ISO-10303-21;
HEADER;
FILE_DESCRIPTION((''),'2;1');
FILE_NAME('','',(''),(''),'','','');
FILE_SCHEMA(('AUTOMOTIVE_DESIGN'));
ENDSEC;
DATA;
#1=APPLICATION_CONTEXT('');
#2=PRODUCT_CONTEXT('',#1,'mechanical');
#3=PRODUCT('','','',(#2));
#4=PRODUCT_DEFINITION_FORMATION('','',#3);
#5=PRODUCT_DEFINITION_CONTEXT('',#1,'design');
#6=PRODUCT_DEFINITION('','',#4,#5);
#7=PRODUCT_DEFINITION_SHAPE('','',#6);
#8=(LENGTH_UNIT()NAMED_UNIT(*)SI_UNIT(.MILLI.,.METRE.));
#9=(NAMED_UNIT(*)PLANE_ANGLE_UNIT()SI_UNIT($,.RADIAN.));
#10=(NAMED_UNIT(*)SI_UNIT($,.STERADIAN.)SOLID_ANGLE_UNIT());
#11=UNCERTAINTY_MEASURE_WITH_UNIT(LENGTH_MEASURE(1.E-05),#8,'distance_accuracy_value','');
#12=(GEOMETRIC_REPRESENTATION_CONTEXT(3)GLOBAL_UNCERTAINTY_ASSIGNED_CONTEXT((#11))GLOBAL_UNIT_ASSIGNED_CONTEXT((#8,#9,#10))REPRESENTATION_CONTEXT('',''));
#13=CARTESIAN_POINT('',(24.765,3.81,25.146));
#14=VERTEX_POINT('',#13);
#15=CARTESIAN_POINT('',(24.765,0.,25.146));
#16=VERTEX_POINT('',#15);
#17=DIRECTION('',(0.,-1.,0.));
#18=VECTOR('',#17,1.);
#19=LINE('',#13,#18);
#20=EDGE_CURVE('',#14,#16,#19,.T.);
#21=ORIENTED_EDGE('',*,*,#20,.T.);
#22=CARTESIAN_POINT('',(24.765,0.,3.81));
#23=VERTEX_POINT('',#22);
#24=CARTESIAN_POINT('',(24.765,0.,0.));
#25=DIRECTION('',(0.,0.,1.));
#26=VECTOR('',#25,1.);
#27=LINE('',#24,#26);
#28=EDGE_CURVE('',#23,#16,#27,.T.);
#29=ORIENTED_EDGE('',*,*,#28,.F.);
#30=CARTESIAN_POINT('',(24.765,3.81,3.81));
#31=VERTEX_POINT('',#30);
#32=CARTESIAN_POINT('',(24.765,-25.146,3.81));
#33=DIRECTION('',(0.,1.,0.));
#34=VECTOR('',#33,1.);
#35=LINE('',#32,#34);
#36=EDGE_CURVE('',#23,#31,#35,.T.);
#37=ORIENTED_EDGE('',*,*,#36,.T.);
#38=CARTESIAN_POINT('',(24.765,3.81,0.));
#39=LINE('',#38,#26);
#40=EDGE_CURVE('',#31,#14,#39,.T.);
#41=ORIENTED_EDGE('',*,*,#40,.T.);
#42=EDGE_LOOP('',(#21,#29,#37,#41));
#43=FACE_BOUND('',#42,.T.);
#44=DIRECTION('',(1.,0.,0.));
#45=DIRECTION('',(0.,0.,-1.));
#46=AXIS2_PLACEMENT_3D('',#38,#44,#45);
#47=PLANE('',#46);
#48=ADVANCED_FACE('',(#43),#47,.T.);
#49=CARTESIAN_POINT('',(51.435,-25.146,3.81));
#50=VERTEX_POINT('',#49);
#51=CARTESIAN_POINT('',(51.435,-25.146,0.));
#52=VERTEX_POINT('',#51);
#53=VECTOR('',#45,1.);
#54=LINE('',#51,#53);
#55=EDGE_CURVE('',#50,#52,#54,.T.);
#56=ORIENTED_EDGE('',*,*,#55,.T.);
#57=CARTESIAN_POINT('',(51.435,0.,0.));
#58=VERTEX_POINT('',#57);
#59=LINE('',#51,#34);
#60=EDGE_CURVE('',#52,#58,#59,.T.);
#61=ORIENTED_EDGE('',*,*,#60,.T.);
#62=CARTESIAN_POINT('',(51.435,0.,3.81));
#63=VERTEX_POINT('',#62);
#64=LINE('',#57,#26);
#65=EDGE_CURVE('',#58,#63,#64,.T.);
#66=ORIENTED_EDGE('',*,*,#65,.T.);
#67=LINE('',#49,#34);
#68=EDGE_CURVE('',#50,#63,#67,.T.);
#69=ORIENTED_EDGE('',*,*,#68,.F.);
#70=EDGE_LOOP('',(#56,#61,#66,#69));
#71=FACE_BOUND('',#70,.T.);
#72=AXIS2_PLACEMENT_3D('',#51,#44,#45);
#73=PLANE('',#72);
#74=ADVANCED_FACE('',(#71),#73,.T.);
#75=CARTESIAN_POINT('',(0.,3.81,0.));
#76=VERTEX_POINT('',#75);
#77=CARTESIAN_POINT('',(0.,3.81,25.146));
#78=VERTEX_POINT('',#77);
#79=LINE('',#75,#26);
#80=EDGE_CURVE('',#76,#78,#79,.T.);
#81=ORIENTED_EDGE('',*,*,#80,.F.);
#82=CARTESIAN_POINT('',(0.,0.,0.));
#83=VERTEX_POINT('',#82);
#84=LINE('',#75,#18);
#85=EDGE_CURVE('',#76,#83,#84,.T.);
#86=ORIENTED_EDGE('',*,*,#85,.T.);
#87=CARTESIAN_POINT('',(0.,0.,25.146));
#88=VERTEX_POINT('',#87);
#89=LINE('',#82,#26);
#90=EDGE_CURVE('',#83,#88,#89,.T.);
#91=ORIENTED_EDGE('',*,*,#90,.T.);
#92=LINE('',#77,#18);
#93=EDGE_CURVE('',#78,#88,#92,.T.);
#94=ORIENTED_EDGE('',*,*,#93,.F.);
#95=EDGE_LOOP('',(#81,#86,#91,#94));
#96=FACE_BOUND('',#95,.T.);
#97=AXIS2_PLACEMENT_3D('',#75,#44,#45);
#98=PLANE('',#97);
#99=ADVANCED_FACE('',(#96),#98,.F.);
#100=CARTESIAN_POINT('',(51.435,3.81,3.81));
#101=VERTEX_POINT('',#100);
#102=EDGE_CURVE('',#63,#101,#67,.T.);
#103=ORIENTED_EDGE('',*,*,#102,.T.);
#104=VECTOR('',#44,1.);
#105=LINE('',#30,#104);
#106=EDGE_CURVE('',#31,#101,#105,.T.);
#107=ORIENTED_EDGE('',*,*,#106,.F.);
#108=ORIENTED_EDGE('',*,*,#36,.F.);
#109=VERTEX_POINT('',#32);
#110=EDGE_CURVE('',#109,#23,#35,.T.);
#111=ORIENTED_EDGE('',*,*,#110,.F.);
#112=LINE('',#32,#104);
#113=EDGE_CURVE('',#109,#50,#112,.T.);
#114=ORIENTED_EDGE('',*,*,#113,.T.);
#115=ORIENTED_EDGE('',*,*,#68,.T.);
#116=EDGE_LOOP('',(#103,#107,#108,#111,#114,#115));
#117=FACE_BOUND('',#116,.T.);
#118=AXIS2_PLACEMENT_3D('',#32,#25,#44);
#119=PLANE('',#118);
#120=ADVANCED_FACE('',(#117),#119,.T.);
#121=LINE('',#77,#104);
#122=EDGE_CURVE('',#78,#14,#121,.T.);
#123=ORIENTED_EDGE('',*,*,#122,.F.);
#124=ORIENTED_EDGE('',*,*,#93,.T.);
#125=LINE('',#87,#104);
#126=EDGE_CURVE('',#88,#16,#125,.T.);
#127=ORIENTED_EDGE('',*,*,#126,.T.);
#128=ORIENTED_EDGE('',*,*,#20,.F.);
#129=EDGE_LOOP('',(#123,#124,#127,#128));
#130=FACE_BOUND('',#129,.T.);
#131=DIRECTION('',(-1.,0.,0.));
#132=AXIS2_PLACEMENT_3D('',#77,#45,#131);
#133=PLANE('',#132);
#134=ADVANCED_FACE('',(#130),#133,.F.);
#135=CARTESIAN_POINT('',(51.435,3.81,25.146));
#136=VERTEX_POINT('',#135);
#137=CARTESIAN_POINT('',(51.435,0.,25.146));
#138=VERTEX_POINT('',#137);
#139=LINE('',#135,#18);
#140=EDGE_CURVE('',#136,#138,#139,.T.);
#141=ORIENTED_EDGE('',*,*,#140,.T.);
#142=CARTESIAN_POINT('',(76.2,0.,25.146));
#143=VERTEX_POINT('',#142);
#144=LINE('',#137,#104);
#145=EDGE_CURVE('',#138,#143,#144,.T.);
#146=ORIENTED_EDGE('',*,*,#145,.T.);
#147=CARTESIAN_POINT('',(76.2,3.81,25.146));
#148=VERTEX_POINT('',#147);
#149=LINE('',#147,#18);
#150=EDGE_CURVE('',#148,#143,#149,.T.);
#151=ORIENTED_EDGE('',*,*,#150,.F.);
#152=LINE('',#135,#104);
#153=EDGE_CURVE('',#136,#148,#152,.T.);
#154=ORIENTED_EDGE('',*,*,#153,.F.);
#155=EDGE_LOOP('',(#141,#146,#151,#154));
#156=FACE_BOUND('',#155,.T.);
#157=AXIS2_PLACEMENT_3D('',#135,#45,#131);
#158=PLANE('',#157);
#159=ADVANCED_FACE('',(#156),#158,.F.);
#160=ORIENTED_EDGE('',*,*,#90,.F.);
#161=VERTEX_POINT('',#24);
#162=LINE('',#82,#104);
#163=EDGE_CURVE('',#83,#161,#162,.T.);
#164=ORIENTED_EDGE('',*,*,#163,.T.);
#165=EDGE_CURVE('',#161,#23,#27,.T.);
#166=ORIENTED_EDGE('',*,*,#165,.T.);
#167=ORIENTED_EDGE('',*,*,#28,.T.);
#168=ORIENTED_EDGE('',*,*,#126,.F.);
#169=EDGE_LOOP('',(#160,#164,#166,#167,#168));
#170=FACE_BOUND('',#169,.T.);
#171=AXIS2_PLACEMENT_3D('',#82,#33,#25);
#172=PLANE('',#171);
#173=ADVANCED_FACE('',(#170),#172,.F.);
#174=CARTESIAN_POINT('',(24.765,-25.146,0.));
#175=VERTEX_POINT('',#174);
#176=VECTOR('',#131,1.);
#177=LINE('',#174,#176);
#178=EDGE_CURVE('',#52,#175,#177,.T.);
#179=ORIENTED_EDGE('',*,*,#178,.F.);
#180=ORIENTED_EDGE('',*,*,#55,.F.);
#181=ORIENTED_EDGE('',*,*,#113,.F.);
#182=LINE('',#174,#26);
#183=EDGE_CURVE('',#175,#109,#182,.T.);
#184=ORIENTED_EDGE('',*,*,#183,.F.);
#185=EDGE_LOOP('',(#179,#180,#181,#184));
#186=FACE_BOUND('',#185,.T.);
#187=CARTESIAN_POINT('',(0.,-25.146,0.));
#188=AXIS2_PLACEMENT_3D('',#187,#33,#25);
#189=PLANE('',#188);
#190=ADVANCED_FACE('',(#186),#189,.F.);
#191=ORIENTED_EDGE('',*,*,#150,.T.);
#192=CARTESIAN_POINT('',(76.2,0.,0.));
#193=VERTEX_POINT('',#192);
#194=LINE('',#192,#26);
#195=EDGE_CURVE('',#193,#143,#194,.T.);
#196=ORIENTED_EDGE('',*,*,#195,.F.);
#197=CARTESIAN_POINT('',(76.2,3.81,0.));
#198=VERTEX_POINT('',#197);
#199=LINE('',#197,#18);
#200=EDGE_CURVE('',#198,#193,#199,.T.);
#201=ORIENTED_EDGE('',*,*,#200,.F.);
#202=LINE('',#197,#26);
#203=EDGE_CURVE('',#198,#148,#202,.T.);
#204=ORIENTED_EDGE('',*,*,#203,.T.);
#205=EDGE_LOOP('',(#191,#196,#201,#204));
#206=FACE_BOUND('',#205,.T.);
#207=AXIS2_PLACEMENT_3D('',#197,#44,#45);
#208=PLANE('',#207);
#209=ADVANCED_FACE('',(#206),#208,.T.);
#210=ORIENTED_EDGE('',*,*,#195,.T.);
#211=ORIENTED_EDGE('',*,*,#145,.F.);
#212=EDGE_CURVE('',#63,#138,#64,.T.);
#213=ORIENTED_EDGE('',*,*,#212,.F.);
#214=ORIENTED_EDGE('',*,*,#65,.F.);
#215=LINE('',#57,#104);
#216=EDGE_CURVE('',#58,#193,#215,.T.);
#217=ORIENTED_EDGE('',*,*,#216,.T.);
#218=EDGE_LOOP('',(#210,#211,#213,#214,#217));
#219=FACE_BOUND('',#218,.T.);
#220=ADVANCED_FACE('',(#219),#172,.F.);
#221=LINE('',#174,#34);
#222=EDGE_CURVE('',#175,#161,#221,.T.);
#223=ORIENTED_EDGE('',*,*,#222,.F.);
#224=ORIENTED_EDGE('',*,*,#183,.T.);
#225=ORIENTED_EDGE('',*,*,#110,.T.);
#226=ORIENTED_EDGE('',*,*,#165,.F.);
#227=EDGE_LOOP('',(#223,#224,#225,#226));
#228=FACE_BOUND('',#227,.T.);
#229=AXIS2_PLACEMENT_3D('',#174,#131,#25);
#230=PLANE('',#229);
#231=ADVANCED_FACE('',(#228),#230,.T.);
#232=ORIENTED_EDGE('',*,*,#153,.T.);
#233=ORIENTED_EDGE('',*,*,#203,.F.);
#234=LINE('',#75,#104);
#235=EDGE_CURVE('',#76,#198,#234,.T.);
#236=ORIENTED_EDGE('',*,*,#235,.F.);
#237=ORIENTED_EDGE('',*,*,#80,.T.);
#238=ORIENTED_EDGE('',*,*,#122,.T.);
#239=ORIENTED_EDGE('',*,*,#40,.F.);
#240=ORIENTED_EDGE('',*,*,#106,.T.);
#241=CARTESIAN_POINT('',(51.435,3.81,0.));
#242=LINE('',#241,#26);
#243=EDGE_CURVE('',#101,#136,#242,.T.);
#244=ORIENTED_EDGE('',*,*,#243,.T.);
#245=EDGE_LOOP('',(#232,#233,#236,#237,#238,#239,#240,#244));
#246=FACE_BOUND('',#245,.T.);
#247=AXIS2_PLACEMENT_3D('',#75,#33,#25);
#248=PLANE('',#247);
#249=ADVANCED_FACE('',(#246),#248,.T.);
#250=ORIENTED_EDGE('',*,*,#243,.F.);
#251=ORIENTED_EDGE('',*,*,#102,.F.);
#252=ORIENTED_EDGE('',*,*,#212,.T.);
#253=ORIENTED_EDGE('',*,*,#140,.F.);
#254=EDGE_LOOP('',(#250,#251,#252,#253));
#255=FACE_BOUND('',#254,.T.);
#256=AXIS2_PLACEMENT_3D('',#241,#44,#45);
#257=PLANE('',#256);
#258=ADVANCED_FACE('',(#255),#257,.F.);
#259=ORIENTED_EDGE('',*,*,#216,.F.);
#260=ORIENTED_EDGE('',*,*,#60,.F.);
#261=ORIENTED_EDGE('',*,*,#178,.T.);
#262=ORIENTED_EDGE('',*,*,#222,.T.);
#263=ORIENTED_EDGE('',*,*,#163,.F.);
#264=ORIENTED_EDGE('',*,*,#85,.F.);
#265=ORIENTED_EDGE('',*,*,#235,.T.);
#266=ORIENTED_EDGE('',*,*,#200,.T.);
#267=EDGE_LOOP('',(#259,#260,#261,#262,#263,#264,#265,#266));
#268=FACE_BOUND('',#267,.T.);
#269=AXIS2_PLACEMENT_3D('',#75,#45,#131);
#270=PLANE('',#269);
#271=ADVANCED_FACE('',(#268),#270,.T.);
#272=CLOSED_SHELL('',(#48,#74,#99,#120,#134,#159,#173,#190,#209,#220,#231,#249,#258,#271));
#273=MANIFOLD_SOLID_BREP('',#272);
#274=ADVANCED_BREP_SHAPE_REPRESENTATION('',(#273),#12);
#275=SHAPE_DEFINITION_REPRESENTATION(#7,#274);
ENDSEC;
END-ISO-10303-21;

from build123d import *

# Parameters (mm, degrees)
SKETCH1_W             = 24.765
SKETCH1_H             = 25.146
BOSS_EXTRUDE1_DEPTH   = 3.81
BOSS_EXTRUDE1_2_DEPTH = 3.81
SKETCH2_W             = 26.67
SKETCH2_H             = 3.81
BOSS_EXTRUDE2_DEPTH   = 28.956


with BuildPart() as part:
    # Sketch1 → Boss-Extrude1 (new body)
    with BuildSketch(Plane(origin=(0, 0, 0), x_dir=(1, 0, 0), z_dir=(0, 1, 0))):
        with Locations((12.3825, -12.573)):
            Rectangle(SKETCH1_W, SKETCH1_H)
    extrude(amount=BOSS_EXTRUDE1_DEPTH)



with BuildPart() as body_2:
    # Sketch1 → Boss-Extrude1 2 (new body)
    with BuildSketch(Plane(origin=(0, 0, 0), x_dir=(1, 0, 0), z_dir=(0, 1, 0))):
        with Locations((63.8175, -12.573)):
            Rectangle(SKETCH1_W, SKETCH1_H)
    extrude(amount=BOSS_EXTRUDE1_2_DEPTH)


with BuildPart() as part_1:
    add(part.part)

    add(body_2.part)  # Boss-Extrude2 merges body 2
    # Sketch2 → Boss-Extrude2 (add)
    with BuildSketch(Plane(origin=(0, 3.81, 0), x_dir=(1, 0, 0), z_dir=(0, 1, 0))):
        with Locations((38.1, -1.905)):
            Rectangle(SKETCH2_W, SKETCH2_H)
    extrude(amount=-BOSS_EXTRUDE2_DEPTH)


solid = part_1.part
